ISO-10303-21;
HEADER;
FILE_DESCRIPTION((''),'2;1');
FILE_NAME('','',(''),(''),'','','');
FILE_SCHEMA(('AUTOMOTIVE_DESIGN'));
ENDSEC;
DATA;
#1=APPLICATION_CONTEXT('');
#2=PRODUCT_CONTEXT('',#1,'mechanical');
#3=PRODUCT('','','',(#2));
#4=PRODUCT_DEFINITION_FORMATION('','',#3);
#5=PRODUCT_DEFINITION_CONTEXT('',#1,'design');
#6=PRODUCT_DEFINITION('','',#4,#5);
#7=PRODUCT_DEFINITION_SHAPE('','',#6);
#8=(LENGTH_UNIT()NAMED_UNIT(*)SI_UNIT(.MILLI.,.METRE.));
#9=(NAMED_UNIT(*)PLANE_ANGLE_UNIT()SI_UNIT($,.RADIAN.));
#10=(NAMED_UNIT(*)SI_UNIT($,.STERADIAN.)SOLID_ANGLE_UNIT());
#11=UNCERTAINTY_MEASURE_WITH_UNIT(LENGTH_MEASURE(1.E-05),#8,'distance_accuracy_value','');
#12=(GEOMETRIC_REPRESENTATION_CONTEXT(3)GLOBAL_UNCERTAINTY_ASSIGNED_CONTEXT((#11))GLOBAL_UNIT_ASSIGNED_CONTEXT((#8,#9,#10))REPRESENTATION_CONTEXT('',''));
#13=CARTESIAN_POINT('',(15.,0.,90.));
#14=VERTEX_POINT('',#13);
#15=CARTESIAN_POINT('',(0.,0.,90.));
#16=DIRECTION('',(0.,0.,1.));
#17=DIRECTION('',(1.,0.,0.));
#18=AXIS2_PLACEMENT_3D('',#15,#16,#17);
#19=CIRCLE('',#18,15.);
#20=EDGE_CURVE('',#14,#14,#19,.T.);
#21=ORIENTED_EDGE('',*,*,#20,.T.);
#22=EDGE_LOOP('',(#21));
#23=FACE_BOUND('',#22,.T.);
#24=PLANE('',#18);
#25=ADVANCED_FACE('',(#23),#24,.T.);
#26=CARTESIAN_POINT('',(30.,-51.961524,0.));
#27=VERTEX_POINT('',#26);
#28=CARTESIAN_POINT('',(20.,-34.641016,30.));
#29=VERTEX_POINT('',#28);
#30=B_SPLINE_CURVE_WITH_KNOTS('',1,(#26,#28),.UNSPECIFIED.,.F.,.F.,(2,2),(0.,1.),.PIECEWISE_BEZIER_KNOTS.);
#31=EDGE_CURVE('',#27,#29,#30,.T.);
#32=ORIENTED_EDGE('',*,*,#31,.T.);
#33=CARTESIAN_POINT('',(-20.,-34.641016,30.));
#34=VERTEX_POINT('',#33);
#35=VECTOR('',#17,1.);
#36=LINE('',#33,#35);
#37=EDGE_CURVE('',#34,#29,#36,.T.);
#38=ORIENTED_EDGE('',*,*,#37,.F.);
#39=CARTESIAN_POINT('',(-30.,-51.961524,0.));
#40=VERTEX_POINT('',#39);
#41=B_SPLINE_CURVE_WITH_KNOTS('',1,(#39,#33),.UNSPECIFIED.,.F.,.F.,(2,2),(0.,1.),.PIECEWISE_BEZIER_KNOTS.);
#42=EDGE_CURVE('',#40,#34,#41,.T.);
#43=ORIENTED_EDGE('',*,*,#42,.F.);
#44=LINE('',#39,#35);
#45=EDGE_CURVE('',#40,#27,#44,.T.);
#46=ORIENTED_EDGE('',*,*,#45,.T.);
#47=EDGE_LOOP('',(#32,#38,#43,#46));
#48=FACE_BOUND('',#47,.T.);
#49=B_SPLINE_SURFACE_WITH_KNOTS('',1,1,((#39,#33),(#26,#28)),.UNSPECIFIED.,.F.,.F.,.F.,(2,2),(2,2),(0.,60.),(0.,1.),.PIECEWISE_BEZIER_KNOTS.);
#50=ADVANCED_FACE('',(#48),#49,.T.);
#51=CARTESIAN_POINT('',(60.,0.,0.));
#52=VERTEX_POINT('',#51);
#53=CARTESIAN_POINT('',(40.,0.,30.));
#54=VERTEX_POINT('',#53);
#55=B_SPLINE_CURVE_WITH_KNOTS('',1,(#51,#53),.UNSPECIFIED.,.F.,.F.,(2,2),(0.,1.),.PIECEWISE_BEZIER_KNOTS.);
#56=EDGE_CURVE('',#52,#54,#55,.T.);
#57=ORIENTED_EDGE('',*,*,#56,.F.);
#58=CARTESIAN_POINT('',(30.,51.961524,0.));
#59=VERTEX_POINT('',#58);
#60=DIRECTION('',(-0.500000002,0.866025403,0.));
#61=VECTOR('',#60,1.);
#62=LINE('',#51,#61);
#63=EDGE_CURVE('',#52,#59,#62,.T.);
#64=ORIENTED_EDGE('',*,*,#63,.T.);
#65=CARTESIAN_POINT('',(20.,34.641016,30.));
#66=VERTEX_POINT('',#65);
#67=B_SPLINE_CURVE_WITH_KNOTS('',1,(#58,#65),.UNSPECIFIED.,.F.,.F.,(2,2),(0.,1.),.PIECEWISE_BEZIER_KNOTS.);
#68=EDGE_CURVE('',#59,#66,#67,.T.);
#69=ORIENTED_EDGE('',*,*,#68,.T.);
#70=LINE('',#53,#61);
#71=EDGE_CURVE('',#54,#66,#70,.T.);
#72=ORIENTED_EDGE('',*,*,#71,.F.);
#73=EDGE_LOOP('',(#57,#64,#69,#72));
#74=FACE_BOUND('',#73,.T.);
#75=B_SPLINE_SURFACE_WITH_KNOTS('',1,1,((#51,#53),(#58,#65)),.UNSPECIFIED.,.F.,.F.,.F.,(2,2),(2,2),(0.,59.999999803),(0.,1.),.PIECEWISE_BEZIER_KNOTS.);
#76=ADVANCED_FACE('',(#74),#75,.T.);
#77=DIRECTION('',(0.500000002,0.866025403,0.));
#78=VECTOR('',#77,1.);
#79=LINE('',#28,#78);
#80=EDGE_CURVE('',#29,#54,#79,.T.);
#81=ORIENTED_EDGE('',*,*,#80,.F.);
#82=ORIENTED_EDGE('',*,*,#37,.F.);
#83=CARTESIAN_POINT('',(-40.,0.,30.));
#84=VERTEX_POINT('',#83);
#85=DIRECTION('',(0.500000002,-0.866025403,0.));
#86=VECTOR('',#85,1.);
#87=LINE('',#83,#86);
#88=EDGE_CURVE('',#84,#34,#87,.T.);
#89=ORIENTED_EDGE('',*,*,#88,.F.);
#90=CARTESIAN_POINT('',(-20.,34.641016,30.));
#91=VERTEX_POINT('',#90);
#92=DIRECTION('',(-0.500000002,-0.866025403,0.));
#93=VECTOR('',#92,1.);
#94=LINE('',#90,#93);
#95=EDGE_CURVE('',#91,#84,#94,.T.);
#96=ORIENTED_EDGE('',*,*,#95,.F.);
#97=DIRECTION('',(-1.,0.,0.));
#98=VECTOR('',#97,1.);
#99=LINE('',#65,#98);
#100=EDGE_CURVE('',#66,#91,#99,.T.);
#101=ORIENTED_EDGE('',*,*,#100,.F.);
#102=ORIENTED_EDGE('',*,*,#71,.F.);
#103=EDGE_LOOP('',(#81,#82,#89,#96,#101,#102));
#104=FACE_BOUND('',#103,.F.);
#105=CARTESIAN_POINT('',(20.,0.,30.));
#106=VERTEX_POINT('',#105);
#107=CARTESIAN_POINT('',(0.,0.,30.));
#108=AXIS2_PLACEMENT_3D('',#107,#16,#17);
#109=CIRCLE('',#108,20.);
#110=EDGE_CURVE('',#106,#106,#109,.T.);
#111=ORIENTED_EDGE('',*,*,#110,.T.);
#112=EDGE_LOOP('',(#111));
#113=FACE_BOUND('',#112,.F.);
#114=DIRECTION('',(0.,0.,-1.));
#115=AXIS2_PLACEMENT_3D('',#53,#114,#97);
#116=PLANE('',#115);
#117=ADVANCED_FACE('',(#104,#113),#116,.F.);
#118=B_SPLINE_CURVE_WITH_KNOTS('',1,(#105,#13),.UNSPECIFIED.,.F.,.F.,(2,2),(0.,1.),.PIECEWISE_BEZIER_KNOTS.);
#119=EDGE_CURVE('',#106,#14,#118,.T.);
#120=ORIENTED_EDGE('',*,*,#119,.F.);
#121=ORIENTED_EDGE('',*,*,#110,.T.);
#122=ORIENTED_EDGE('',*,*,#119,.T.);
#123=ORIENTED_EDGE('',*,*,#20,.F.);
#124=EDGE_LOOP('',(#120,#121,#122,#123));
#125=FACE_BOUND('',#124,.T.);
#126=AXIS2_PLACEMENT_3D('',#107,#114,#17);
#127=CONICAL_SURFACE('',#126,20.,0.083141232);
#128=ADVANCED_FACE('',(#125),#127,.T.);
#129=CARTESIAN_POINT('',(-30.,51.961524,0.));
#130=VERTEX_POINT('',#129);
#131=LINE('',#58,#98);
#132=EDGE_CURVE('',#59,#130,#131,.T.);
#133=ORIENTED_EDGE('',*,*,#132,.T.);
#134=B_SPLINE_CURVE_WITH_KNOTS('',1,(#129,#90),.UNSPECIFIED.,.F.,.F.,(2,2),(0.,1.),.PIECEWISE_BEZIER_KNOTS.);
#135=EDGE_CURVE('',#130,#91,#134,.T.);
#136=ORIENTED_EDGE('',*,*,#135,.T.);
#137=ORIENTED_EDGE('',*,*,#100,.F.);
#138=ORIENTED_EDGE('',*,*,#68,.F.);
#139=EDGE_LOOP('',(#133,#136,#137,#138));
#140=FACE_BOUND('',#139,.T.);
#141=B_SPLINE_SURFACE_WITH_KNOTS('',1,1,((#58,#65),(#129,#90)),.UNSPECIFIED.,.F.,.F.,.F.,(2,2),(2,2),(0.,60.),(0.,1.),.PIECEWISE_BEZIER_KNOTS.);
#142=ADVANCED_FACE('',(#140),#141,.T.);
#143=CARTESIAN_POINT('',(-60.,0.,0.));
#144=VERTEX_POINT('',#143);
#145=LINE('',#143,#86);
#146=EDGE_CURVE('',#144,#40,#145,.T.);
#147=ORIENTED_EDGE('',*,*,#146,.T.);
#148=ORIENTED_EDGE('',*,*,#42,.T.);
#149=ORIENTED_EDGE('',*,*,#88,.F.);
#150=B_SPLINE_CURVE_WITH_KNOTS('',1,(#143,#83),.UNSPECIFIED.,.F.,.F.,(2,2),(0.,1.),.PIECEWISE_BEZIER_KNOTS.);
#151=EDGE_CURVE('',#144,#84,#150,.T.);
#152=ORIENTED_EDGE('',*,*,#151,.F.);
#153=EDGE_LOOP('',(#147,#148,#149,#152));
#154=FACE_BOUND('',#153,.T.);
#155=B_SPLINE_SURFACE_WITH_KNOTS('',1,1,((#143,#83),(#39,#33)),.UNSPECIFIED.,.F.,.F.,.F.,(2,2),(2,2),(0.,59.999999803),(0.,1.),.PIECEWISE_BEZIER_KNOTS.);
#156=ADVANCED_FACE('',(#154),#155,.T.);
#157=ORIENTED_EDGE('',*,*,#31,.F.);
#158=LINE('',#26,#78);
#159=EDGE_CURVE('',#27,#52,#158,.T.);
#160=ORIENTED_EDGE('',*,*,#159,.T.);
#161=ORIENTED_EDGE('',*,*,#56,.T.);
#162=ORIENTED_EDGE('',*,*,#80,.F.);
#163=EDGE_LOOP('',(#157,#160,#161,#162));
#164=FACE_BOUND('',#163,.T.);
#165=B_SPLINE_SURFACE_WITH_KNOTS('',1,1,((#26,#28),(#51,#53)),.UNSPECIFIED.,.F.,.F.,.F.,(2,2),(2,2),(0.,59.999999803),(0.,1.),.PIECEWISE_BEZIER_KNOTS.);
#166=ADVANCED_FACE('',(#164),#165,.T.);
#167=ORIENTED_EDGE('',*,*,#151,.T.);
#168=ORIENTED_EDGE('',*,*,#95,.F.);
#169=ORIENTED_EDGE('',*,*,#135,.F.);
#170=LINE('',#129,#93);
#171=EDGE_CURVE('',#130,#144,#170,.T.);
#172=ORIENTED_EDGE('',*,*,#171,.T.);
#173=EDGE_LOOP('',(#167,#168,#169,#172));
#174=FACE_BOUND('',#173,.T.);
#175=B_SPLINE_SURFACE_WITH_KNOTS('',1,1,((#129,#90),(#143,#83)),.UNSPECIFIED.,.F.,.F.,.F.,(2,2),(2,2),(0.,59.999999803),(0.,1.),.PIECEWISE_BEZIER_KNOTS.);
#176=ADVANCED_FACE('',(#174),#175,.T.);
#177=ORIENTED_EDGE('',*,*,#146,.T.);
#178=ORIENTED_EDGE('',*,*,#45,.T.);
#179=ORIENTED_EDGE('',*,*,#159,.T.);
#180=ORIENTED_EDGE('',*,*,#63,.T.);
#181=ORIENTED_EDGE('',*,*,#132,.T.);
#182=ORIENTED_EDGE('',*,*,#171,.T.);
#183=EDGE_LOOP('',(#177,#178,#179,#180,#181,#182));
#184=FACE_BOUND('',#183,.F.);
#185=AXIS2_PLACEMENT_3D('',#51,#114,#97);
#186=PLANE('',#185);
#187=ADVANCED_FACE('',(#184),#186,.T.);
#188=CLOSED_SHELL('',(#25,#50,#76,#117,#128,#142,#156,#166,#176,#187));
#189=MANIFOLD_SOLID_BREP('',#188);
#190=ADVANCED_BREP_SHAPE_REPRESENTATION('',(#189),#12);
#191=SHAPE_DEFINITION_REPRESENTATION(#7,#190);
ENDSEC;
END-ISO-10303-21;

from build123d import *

# Parameters (mm, degrees)
F5_R = 20
F4_R = 15


with BuildPart() as f6:
    # F0 (on Top) → F6 section 0
    with BuildSketch(Plane.XY):
        Polygon((60, 0), (30, 51.961524), (-30, 51.961524), (-60, 0), (-30, -51.961524), (30, -51.961524), align=None)
    # F2 (on offset) → F6 section 1
    with BuildSketch(Plane.XY.offset(30)):
        Polygon((40, 0), (20, 34.641016), (-20, 34.641016), (-40, 0), (-20, -34.641016), (20, -34.641016), align=None)
    loft()

    # F5 (on face) → F7 section 0
    with BuildSketch(Plane.XY.offset(30)):
        Circle(F5_R)
    # F4 (on offset) → F7 section 1
    with BuildSketch(Plane.XY.offset(90)):
        Circle(F4_R)
    loft()


solid = f6.part
